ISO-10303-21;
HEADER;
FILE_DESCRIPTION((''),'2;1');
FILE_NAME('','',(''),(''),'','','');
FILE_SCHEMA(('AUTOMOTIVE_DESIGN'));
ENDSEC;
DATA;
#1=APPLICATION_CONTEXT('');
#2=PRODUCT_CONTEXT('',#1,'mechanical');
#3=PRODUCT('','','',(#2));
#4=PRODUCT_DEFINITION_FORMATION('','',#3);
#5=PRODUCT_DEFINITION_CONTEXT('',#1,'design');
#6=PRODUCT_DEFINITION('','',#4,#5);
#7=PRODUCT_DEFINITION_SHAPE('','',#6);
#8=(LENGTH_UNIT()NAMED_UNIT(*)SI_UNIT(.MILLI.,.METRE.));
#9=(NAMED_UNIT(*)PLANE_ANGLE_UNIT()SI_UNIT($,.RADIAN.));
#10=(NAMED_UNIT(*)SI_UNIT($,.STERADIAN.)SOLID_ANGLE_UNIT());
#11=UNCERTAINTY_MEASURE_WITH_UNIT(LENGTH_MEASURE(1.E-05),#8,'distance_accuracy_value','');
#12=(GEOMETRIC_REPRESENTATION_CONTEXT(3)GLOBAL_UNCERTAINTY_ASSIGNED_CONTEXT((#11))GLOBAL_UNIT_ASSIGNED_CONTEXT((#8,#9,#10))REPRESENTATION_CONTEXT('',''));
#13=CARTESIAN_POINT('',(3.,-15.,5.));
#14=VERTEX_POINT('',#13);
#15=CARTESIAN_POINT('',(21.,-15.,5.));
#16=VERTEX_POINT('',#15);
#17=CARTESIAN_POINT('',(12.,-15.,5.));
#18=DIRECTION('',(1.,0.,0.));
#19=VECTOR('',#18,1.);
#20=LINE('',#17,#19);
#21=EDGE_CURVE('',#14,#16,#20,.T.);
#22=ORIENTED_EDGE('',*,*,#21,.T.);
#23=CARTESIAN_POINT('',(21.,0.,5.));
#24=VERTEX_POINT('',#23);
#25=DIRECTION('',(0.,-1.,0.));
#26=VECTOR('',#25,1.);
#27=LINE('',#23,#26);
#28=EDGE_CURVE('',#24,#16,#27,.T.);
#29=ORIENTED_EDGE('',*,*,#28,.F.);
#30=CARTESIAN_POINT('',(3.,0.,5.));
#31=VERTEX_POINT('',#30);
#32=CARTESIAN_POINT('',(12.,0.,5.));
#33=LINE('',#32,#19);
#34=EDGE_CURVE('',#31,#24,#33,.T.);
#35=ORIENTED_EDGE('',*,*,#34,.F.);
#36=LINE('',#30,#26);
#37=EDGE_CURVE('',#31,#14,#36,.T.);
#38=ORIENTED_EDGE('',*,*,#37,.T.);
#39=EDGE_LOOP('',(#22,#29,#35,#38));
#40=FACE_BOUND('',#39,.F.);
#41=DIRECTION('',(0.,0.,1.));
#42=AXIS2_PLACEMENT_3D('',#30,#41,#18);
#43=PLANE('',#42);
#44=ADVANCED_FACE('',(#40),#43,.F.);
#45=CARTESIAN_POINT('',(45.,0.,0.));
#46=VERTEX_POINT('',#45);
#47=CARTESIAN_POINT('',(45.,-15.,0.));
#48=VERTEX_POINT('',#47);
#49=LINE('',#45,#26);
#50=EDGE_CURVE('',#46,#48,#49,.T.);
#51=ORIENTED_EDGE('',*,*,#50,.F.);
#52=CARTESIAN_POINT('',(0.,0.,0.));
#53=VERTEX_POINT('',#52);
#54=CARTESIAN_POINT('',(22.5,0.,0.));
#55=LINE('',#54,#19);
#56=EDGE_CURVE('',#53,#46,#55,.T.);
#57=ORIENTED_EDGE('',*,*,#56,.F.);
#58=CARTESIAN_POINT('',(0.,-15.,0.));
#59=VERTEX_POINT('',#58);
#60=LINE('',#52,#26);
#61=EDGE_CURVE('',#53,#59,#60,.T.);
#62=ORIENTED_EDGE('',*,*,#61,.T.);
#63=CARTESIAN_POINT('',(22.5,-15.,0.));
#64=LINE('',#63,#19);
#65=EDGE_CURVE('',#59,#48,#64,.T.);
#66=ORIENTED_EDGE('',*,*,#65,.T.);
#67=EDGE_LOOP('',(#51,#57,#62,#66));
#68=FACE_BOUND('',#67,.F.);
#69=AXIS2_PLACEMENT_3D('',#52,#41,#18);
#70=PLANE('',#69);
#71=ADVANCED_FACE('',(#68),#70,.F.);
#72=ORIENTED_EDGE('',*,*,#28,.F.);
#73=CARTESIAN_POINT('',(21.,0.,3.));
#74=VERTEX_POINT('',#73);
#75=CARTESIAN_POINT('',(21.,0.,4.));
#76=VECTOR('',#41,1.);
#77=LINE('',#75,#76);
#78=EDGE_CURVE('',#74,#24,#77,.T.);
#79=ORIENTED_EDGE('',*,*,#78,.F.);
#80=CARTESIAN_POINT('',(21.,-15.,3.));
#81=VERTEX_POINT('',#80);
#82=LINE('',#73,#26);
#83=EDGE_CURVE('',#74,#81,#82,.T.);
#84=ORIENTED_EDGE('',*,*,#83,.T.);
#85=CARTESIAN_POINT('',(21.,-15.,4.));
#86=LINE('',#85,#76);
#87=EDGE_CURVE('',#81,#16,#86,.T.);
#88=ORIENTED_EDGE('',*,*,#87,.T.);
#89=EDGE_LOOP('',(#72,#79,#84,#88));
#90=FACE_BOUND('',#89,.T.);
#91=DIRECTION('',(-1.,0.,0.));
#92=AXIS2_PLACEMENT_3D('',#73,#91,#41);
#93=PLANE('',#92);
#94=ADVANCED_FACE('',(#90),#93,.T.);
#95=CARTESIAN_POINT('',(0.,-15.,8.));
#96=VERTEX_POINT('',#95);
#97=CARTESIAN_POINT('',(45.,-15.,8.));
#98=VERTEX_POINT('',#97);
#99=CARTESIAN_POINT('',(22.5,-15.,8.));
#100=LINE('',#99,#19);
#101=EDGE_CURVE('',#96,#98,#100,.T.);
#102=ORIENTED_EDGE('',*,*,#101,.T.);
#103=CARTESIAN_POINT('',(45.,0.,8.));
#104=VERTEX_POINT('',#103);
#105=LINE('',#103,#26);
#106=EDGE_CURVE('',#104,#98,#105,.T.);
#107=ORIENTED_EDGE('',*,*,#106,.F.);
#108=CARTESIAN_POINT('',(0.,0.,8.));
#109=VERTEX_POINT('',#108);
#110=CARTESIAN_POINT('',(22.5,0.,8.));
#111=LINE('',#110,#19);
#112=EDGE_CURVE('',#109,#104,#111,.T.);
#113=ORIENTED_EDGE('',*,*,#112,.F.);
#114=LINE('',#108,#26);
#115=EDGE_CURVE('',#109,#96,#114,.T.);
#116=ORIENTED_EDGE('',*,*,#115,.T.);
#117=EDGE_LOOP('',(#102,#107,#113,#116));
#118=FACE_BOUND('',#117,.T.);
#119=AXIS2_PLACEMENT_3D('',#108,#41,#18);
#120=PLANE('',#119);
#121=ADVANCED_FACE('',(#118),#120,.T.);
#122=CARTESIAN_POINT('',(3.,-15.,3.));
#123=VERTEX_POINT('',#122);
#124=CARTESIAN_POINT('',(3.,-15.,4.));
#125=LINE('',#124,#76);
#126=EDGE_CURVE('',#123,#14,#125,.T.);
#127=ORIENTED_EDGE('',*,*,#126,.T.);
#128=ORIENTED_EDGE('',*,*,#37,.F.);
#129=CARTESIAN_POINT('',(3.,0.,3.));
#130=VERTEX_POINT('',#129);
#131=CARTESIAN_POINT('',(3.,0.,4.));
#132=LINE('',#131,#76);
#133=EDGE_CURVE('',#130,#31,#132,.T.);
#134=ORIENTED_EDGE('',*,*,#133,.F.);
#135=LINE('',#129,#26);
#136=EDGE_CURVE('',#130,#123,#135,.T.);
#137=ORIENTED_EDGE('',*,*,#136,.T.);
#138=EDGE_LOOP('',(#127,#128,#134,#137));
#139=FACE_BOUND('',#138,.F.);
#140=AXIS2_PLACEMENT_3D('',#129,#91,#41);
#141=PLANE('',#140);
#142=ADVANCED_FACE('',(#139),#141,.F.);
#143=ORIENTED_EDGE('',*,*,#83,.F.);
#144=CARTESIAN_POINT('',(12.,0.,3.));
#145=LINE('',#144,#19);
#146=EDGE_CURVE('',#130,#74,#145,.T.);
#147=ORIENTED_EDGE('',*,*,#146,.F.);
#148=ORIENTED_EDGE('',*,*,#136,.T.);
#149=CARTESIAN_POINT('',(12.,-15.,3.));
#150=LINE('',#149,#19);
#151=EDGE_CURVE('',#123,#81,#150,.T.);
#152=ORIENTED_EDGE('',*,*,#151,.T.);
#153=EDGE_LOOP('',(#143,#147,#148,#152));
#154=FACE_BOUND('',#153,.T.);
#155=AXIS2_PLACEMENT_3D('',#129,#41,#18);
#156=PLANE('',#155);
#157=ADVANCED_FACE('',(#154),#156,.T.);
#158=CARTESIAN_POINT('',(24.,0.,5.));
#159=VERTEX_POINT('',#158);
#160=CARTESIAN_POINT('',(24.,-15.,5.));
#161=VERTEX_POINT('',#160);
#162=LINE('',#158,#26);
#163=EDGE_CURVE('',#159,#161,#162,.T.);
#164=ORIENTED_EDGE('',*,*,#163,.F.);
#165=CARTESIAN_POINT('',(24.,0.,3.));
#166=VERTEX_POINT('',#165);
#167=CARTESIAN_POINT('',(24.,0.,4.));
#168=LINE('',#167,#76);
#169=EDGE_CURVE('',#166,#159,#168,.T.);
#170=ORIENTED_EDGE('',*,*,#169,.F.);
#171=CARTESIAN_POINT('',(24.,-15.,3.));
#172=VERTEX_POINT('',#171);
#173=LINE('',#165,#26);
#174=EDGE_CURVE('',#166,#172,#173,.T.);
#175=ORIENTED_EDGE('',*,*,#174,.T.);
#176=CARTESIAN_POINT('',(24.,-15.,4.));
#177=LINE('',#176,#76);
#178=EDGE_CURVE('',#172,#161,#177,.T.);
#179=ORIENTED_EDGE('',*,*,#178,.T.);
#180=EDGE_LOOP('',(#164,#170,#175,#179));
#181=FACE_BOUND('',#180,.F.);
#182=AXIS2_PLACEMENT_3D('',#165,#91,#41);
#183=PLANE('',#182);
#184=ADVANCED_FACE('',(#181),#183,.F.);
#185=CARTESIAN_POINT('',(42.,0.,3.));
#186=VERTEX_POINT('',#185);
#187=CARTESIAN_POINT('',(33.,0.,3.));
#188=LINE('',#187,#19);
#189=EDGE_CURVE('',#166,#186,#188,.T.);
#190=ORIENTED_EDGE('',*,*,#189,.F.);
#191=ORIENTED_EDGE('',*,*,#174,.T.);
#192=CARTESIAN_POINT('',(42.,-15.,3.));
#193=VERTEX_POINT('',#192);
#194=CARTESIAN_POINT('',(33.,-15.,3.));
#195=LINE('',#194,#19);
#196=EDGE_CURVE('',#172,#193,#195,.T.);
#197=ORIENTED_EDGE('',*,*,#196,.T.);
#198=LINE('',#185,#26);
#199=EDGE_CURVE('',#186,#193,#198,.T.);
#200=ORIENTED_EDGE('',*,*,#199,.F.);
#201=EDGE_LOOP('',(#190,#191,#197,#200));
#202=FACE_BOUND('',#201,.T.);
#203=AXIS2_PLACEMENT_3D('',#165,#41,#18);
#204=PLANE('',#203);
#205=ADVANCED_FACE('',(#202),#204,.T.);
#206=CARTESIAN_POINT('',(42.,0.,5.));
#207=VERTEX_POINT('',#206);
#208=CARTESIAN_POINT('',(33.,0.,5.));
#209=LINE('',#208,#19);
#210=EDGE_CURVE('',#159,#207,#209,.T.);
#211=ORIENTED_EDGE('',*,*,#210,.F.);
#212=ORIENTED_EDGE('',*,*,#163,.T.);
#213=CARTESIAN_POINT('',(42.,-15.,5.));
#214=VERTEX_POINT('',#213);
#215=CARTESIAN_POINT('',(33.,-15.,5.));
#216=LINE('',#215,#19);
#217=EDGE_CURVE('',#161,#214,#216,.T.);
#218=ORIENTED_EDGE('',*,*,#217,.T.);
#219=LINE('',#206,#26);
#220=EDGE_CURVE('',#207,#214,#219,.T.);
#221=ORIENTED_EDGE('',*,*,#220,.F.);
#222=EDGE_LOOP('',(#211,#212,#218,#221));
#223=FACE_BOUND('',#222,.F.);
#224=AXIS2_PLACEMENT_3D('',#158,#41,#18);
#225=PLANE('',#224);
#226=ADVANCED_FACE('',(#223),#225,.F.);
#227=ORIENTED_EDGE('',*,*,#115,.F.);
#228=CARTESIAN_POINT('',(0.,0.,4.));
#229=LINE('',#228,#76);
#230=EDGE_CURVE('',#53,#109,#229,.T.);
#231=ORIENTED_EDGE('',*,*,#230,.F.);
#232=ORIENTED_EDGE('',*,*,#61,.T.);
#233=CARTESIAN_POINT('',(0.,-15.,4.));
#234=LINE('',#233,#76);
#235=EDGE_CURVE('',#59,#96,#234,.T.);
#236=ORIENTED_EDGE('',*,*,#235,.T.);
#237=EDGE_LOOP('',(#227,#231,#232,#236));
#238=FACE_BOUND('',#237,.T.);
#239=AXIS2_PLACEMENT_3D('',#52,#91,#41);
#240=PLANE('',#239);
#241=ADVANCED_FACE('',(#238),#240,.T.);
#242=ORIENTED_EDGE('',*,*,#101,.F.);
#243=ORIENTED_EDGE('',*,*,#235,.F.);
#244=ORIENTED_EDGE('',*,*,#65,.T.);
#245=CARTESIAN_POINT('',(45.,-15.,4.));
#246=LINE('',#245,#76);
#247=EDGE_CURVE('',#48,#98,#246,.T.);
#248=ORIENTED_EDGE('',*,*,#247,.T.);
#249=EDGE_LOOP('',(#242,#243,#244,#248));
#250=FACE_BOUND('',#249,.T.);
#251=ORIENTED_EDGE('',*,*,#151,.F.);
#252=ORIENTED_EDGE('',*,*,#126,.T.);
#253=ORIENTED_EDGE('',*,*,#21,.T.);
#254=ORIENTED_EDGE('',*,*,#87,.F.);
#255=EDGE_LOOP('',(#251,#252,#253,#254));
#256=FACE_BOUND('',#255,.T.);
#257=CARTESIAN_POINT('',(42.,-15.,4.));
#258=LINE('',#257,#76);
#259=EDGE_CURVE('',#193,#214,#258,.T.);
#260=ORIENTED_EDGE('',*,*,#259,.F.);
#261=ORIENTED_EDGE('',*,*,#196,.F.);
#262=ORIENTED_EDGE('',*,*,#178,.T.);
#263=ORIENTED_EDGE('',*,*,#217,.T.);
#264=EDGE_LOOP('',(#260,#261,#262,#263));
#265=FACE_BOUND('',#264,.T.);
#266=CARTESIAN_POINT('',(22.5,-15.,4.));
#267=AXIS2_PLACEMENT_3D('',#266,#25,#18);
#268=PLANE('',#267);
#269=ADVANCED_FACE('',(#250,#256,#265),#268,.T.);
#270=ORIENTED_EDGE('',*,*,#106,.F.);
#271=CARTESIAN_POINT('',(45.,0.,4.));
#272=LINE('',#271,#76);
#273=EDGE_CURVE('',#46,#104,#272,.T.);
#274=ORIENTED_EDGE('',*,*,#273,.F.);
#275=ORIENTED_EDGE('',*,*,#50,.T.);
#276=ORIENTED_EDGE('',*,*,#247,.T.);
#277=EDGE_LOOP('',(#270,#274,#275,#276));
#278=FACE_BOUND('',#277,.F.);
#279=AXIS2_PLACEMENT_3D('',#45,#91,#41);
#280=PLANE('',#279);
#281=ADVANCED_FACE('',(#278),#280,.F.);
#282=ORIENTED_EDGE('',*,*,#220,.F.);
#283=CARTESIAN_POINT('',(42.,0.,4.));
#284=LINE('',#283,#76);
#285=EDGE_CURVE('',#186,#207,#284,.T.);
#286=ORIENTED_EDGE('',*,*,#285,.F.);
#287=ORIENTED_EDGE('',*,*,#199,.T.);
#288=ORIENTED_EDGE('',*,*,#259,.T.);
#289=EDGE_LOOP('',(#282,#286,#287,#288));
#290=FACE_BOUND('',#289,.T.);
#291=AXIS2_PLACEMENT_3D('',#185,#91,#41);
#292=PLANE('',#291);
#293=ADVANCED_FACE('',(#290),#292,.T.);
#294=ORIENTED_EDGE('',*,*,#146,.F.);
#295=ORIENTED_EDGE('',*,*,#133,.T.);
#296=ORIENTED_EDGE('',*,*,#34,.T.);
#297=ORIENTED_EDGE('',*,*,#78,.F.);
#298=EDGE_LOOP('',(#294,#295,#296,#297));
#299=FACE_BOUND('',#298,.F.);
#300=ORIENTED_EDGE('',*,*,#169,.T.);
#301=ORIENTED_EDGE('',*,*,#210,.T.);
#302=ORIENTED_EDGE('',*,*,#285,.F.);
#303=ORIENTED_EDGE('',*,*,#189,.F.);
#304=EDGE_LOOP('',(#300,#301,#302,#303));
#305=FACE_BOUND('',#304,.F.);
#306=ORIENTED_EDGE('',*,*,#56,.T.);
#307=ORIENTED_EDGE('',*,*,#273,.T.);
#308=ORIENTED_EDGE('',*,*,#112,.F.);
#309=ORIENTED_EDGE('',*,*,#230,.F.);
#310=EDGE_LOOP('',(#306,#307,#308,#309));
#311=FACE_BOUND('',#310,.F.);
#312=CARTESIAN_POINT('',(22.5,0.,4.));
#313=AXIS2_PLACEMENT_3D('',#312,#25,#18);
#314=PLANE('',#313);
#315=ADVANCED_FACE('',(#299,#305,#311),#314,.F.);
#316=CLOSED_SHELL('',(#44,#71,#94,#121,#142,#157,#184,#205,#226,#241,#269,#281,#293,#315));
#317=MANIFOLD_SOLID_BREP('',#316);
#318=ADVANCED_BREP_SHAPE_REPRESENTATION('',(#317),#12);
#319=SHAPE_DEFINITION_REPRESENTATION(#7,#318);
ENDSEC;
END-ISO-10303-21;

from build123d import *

# Parameters (mm, degrees)
SKETCH_W   = 45
SKETCH_H   = 8
SKETCH_W_2 = 18
SKETCH_H_2 = 2
PAD_DEPTH  = 15


with BuildPart() as part:
    # Sketch → Pad (new body)
    with BuildSketch(Plane.XZ):
        with Locations((22.5, 4)):
            Rectangle(SKETCH_W, SKETCH_H)
        with Locations((12, 4)):
            Rectangle(SKETCH_W_2, SKETCH_H_2, mode=Mode.SUBTRACT)
        with Locations((33, 4)):
            Rectangle(SKETCH_W_2, SKETCH_H_2, mode=Mode.SUBTRACT)
    extrude(amount=PAD_DEPTH)


solid = part.part
